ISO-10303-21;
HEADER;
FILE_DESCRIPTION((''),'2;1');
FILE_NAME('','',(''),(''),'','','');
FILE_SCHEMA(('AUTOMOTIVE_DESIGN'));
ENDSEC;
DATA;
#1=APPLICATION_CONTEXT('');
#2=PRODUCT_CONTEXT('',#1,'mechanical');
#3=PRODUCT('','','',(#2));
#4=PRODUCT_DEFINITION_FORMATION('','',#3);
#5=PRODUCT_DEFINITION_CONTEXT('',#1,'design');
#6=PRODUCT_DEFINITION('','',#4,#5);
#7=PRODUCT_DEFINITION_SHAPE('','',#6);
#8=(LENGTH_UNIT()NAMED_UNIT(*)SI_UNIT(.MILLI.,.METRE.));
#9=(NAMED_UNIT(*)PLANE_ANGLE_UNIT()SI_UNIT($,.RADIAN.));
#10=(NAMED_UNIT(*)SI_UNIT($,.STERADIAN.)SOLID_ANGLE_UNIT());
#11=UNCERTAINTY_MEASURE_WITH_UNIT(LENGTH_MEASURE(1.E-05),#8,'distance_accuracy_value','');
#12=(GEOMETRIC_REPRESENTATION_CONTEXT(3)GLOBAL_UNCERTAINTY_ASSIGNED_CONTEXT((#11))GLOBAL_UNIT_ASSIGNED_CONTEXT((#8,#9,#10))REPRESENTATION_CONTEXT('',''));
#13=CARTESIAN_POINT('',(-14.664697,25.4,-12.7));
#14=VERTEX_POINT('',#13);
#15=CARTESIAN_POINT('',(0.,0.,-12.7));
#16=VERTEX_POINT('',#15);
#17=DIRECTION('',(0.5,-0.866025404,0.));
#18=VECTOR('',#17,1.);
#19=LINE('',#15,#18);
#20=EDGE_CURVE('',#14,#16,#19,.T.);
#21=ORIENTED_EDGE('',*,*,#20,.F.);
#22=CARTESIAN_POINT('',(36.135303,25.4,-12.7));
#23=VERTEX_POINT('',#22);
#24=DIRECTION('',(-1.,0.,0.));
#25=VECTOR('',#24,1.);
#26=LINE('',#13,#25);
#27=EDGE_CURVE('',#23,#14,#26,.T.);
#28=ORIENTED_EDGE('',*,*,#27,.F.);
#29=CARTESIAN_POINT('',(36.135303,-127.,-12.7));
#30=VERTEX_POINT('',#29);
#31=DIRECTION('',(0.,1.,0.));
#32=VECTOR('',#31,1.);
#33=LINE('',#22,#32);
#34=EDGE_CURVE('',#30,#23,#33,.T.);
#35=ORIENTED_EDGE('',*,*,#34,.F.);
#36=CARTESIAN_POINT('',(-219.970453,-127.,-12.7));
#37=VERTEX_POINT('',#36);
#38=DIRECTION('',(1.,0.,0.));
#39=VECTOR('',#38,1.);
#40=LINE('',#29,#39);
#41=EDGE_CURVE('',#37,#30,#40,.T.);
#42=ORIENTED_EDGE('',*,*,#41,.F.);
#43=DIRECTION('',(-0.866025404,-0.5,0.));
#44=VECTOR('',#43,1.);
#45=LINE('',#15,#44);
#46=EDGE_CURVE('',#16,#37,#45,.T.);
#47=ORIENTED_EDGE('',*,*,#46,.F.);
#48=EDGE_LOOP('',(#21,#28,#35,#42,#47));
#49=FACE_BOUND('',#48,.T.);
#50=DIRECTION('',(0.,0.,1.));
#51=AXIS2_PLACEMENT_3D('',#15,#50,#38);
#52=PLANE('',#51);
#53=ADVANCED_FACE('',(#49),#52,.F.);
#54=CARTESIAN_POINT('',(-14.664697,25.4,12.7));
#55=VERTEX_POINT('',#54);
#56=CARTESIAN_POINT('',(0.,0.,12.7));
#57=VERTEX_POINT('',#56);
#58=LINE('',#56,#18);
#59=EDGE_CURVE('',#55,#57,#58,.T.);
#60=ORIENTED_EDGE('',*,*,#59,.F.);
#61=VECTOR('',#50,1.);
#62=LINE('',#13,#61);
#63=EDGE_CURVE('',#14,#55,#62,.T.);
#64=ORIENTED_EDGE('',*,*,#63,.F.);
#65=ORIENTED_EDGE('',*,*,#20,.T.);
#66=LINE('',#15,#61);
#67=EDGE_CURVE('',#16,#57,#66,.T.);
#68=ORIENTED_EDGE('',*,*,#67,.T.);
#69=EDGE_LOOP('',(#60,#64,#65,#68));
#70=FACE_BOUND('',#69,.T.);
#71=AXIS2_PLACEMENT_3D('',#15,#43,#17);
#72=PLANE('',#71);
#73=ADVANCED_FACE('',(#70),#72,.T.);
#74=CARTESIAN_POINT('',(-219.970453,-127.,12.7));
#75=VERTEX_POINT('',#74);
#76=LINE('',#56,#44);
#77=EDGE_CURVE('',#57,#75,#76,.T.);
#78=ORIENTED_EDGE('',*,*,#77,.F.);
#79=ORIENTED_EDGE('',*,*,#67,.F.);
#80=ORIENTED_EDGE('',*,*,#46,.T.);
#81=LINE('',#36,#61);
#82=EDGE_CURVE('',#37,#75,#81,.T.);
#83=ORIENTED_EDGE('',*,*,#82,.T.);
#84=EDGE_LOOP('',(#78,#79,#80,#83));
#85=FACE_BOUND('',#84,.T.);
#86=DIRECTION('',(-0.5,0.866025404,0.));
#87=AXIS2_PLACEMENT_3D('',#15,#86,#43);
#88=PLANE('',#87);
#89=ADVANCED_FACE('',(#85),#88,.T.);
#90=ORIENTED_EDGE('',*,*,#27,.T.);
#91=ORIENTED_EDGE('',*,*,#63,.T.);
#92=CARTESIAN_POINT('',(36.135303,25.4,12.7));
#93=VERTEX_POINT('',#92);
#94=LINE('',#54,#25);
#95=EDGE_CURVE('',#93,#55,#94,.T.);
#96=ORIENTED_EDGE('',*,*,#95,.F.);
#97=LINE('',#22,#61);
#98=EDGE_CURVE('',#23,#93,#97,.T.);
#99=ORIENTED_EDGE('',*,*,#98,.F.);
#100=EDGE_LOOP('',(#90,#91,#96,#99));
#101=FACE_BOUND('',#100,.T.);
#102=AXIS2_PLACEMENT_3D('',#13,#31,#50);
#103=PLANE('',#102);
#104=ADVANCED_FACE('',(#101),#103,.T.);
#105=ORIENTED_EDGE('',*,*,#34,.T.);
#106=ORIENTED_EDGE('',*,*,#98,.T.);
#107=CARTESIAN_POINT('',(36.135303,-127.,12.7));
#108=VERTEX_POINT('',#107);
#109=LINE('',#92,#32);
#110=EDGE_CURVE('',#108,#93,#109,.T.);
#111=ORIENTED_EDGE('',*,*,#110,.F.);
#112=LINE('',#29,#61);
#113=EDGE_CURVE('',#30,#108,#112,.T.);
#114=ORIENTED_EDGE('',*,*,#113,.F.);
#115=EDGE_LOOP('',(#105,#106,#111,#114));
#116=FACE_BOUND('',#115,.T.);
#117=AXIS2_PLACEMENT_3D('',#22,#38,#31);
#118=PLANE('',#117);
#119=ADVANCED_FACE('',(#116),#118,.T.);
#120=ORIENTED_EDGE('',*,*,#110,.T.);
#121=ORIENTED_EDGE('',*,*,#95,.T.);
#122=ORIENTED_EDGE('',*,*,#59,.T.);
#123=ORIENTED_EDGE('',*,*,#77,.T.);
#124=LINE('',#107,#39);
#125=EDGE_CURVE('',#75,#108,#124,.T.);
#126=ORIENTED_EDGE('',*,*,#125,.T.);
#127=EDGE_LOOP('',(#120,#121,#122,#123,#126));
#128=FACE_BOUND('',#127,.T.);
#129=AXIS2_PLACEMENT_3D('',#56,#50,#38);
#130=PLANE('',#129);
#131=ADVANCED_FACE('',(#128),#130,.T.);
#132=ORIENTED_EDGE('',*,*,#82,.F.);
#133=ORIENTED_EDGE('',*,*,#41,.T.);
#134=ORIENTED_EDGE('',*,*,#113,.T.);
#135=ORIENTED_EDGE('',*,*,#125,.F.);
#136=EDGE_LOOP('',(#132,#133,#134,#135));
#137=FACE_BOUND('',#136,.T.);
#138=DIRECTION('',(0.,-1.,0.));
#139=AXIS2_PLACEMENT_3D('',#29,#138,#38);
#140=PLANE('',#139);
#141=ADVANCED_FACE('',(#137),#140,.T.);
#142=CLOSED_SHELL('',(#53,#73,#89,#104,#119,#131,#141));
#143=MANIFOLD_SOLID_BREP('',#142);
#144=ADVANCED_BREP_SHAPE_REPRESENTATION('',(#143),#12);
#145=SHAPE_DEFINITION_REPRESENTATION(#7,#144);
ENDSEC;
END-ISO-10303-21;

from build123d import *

# Parameters (mm, degrees)
EXTRUDE1_DEPTH = 12.7


with BuildPart() as part:
    # Sketch1 → Extrude1 (new, symmetric)
    with BuildSketch(Plane.XY):
        Polygon((-14.664696837, 25.4), (36.135303163, 25.4), (36.135303163, -127), (-219.970452561, -127), (0, 0), align=None)
    extrude(amount=EXTRUDE1_DEPTH, both=True)


solid = part.part
